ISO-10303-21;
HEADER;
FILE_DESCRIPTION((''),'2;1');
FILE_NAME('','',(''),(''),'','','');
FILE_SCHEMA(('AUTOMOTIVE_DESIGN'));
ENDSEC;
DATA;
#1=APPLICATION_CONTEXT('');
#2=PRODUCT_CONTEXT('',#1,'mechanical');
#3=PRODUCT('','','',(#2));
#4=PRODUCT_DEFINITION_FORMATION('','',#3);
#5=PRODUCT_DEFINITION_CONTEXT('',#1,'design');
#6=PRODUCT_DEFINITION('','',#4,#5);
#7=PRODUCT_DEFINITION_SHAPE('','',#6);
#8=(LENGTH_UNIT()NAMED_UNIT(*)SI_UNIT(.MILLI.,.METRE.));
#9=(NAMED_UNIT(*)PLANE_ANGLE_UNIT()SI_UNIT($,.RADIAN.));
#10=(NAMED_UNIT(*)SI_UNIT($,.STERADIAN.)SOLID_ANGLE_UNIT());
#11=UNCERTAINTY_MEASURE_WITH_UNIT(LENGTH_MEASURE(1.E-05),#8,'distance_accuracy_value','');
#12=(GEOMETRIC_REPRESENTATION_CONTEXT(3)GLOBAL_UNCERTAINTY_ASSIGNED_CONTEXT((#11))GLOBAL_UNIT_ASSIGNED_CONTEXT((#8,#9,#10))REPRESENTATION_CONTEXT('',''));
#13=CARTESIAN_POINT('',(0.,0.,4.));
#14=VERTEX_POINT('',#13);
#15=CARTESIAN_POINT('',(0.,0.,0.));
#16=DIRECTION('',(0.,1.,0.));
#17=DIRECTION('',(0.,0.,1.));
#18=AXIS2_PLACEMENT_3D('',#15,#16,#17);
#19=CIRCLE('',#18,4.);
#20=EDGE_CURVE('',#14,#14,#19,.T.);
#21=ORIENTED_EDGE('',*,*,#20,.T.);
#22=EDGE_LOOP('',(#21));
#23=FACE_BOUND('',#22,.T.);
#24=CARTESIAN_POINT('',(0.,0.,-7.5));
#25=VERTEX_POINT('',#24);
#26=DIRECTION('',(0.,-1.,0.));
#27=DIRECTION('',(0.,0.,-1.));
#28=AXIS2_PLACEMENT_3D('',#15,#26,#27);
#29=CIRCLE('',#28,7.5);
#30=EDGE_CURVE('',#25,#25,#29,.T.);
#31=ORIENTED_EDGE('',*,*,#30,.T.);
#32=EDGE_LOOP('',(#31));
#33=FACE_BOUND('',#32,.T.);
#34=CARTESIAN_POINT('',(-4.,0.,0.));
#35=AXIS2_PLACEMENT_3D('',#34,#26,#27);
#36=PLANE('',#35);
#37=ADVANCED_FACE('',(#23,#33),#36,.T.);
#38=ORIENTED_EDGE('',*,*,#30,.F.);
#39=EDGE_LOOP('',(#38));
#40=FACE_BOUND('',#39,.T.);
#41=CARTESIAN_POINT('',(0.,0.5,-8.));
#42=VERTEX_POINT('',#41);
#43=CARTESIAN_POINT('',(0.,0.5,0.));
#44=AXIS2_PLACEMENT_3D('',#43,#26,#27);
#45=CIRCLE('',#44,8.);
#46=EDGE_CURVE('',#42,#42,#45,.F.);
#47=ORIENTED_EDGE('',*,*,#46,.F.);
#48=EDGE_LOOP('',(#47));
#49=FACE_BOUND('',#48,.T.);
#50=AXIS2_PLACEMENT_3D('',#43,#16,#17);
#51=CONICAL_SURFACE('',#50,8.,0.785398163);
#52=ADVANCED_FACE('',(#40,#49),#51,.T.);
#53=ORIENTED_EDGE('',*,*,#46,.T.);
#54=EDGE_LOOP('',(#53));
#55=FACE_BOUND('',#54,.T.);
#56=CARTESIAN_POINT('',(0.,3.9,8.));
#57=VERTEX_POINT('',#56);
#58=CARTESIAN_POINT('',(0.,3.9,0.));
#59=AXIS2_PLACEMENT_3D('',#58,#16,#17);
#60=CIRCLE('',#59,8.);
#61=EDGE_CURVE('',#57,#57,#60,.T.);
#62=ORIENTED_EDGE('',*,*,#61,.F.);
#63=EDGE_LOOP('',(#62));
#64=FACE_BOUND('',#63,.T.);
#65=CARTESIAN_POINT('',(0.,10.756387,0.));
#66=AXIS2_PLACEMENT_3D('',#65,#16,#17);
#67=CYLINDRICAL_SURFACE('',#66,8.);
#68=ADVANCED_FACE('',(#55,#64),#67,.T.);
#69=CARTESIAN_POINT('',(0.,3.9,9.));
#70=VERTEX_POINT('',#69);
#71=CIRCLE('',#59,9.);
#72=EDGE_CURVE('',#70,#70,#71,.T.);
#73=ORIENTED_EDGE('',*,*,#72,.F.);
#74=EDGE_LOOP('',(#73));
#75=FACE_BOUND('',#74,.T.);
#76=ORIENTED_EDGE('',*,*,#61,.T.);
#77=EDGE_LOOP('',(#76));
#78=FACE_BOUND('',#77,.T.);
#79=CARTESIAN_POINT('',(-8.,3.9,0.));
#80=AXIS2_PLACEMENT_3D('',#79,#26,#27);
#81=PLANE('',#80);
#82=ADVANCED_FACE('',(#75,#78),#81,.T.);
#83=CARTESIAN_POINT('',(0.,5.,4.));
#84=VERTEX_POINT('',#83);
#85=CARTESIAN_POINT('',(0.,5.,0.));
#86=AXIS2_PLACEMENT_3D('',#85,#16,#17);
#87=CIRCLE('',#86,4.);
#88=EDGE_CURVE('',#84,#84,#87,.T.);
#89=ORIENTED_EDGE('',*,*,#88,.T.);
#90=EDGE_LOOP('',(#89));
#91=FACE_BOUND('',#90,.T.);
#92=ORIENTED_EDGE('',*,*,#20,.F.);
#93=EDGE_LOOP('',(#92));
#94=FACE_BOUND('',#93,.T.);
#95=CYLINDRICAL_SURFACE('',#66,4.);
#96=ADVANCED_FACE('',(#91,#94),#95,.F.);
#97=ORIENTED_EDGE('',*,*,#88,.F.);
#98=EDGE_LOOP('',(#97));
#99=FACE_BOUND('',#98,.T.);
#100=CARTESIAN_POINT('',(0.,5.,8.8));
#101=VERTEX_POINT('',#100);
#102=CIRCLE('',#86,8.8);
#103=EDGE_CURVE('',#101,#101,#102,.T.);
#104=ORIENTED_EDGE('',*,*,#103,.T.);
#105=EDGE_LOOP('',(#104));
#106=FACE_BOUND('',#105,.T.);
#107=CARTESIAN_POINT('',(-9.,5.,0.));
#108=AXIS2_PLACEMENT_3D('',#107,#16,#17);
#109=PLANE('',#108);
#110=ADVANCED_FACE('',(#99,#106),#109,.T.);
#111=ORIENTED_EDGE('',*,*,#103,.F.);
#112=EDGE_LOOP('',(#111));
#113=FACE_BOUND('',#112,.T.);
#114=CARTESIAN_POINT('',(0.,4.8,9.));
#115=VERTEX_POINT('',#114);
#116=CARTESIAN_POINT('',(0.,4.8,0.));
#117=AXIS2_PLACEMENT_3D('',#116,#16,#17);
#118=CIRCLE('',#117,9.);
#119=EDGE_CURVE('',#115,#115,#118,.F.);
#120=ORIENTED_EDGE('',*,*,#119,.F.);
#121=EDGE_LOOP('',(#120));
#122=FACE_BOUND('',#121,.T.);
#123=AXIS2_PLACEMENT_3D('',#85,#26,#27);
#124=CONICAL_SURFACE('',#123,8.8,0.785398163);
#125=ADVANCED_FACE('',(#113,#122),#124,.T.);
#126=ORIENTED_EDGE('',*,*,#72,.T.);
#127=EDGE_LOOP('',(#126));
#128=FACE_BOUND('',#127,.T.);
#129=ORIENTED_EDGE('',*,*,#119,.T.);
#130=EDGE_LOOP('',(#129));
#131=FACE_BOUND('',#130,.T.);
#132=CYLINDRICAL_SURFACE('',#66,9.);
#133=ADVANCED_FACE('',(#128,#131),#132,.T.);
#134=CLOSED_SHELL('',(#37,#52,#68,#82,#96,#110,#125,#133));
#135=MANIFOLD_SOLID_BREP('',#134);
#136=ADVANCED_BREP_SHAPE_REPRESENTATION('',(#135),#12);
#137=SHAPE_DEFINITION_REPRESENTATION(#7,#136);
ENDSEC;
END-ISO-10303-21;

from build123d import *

# Parameters (mm, degrees)
CHAMFER_1_SIZE = 0.5
CHAMFER_2_SIZE = 0.2


with BuildPart() as part:
    # 草图1 → 旋转1 (revolve)
    with BuildSketch(Plane.XY, mode=Mode.PRIVATE) as revolve_1_sk:
        Polygon((-4, 0), (-8, 0), (-8, 3.9), (-9, 3.9), (-9, 5), (-4, 5), align=None)
    revolve(revolve_1_sk.sketch.rotate(Axis((0, 10.75638676, 0), (0, -1, 0)), 270), axis=Axis((0, 10.75638676, 0), (0, -1, 0)))

    # 倒角1
    chamfer_1_edges = [part.edges().sort_by_distance(p)[0] for p in [
        (0, 0, -8),
    ]]
    chamfer(chamfer_1_edges, length=CHAMFER_1_SIZE)

    # 倒角2
    chamfer_2_edges = [part.edges().sort_by_distance(p)[0] for p in [
        (0, 5, -9),
    ]]
    chamfer(chamfer_2_edges, length=CHAMFER_2_SIZE)


solid = part.part
